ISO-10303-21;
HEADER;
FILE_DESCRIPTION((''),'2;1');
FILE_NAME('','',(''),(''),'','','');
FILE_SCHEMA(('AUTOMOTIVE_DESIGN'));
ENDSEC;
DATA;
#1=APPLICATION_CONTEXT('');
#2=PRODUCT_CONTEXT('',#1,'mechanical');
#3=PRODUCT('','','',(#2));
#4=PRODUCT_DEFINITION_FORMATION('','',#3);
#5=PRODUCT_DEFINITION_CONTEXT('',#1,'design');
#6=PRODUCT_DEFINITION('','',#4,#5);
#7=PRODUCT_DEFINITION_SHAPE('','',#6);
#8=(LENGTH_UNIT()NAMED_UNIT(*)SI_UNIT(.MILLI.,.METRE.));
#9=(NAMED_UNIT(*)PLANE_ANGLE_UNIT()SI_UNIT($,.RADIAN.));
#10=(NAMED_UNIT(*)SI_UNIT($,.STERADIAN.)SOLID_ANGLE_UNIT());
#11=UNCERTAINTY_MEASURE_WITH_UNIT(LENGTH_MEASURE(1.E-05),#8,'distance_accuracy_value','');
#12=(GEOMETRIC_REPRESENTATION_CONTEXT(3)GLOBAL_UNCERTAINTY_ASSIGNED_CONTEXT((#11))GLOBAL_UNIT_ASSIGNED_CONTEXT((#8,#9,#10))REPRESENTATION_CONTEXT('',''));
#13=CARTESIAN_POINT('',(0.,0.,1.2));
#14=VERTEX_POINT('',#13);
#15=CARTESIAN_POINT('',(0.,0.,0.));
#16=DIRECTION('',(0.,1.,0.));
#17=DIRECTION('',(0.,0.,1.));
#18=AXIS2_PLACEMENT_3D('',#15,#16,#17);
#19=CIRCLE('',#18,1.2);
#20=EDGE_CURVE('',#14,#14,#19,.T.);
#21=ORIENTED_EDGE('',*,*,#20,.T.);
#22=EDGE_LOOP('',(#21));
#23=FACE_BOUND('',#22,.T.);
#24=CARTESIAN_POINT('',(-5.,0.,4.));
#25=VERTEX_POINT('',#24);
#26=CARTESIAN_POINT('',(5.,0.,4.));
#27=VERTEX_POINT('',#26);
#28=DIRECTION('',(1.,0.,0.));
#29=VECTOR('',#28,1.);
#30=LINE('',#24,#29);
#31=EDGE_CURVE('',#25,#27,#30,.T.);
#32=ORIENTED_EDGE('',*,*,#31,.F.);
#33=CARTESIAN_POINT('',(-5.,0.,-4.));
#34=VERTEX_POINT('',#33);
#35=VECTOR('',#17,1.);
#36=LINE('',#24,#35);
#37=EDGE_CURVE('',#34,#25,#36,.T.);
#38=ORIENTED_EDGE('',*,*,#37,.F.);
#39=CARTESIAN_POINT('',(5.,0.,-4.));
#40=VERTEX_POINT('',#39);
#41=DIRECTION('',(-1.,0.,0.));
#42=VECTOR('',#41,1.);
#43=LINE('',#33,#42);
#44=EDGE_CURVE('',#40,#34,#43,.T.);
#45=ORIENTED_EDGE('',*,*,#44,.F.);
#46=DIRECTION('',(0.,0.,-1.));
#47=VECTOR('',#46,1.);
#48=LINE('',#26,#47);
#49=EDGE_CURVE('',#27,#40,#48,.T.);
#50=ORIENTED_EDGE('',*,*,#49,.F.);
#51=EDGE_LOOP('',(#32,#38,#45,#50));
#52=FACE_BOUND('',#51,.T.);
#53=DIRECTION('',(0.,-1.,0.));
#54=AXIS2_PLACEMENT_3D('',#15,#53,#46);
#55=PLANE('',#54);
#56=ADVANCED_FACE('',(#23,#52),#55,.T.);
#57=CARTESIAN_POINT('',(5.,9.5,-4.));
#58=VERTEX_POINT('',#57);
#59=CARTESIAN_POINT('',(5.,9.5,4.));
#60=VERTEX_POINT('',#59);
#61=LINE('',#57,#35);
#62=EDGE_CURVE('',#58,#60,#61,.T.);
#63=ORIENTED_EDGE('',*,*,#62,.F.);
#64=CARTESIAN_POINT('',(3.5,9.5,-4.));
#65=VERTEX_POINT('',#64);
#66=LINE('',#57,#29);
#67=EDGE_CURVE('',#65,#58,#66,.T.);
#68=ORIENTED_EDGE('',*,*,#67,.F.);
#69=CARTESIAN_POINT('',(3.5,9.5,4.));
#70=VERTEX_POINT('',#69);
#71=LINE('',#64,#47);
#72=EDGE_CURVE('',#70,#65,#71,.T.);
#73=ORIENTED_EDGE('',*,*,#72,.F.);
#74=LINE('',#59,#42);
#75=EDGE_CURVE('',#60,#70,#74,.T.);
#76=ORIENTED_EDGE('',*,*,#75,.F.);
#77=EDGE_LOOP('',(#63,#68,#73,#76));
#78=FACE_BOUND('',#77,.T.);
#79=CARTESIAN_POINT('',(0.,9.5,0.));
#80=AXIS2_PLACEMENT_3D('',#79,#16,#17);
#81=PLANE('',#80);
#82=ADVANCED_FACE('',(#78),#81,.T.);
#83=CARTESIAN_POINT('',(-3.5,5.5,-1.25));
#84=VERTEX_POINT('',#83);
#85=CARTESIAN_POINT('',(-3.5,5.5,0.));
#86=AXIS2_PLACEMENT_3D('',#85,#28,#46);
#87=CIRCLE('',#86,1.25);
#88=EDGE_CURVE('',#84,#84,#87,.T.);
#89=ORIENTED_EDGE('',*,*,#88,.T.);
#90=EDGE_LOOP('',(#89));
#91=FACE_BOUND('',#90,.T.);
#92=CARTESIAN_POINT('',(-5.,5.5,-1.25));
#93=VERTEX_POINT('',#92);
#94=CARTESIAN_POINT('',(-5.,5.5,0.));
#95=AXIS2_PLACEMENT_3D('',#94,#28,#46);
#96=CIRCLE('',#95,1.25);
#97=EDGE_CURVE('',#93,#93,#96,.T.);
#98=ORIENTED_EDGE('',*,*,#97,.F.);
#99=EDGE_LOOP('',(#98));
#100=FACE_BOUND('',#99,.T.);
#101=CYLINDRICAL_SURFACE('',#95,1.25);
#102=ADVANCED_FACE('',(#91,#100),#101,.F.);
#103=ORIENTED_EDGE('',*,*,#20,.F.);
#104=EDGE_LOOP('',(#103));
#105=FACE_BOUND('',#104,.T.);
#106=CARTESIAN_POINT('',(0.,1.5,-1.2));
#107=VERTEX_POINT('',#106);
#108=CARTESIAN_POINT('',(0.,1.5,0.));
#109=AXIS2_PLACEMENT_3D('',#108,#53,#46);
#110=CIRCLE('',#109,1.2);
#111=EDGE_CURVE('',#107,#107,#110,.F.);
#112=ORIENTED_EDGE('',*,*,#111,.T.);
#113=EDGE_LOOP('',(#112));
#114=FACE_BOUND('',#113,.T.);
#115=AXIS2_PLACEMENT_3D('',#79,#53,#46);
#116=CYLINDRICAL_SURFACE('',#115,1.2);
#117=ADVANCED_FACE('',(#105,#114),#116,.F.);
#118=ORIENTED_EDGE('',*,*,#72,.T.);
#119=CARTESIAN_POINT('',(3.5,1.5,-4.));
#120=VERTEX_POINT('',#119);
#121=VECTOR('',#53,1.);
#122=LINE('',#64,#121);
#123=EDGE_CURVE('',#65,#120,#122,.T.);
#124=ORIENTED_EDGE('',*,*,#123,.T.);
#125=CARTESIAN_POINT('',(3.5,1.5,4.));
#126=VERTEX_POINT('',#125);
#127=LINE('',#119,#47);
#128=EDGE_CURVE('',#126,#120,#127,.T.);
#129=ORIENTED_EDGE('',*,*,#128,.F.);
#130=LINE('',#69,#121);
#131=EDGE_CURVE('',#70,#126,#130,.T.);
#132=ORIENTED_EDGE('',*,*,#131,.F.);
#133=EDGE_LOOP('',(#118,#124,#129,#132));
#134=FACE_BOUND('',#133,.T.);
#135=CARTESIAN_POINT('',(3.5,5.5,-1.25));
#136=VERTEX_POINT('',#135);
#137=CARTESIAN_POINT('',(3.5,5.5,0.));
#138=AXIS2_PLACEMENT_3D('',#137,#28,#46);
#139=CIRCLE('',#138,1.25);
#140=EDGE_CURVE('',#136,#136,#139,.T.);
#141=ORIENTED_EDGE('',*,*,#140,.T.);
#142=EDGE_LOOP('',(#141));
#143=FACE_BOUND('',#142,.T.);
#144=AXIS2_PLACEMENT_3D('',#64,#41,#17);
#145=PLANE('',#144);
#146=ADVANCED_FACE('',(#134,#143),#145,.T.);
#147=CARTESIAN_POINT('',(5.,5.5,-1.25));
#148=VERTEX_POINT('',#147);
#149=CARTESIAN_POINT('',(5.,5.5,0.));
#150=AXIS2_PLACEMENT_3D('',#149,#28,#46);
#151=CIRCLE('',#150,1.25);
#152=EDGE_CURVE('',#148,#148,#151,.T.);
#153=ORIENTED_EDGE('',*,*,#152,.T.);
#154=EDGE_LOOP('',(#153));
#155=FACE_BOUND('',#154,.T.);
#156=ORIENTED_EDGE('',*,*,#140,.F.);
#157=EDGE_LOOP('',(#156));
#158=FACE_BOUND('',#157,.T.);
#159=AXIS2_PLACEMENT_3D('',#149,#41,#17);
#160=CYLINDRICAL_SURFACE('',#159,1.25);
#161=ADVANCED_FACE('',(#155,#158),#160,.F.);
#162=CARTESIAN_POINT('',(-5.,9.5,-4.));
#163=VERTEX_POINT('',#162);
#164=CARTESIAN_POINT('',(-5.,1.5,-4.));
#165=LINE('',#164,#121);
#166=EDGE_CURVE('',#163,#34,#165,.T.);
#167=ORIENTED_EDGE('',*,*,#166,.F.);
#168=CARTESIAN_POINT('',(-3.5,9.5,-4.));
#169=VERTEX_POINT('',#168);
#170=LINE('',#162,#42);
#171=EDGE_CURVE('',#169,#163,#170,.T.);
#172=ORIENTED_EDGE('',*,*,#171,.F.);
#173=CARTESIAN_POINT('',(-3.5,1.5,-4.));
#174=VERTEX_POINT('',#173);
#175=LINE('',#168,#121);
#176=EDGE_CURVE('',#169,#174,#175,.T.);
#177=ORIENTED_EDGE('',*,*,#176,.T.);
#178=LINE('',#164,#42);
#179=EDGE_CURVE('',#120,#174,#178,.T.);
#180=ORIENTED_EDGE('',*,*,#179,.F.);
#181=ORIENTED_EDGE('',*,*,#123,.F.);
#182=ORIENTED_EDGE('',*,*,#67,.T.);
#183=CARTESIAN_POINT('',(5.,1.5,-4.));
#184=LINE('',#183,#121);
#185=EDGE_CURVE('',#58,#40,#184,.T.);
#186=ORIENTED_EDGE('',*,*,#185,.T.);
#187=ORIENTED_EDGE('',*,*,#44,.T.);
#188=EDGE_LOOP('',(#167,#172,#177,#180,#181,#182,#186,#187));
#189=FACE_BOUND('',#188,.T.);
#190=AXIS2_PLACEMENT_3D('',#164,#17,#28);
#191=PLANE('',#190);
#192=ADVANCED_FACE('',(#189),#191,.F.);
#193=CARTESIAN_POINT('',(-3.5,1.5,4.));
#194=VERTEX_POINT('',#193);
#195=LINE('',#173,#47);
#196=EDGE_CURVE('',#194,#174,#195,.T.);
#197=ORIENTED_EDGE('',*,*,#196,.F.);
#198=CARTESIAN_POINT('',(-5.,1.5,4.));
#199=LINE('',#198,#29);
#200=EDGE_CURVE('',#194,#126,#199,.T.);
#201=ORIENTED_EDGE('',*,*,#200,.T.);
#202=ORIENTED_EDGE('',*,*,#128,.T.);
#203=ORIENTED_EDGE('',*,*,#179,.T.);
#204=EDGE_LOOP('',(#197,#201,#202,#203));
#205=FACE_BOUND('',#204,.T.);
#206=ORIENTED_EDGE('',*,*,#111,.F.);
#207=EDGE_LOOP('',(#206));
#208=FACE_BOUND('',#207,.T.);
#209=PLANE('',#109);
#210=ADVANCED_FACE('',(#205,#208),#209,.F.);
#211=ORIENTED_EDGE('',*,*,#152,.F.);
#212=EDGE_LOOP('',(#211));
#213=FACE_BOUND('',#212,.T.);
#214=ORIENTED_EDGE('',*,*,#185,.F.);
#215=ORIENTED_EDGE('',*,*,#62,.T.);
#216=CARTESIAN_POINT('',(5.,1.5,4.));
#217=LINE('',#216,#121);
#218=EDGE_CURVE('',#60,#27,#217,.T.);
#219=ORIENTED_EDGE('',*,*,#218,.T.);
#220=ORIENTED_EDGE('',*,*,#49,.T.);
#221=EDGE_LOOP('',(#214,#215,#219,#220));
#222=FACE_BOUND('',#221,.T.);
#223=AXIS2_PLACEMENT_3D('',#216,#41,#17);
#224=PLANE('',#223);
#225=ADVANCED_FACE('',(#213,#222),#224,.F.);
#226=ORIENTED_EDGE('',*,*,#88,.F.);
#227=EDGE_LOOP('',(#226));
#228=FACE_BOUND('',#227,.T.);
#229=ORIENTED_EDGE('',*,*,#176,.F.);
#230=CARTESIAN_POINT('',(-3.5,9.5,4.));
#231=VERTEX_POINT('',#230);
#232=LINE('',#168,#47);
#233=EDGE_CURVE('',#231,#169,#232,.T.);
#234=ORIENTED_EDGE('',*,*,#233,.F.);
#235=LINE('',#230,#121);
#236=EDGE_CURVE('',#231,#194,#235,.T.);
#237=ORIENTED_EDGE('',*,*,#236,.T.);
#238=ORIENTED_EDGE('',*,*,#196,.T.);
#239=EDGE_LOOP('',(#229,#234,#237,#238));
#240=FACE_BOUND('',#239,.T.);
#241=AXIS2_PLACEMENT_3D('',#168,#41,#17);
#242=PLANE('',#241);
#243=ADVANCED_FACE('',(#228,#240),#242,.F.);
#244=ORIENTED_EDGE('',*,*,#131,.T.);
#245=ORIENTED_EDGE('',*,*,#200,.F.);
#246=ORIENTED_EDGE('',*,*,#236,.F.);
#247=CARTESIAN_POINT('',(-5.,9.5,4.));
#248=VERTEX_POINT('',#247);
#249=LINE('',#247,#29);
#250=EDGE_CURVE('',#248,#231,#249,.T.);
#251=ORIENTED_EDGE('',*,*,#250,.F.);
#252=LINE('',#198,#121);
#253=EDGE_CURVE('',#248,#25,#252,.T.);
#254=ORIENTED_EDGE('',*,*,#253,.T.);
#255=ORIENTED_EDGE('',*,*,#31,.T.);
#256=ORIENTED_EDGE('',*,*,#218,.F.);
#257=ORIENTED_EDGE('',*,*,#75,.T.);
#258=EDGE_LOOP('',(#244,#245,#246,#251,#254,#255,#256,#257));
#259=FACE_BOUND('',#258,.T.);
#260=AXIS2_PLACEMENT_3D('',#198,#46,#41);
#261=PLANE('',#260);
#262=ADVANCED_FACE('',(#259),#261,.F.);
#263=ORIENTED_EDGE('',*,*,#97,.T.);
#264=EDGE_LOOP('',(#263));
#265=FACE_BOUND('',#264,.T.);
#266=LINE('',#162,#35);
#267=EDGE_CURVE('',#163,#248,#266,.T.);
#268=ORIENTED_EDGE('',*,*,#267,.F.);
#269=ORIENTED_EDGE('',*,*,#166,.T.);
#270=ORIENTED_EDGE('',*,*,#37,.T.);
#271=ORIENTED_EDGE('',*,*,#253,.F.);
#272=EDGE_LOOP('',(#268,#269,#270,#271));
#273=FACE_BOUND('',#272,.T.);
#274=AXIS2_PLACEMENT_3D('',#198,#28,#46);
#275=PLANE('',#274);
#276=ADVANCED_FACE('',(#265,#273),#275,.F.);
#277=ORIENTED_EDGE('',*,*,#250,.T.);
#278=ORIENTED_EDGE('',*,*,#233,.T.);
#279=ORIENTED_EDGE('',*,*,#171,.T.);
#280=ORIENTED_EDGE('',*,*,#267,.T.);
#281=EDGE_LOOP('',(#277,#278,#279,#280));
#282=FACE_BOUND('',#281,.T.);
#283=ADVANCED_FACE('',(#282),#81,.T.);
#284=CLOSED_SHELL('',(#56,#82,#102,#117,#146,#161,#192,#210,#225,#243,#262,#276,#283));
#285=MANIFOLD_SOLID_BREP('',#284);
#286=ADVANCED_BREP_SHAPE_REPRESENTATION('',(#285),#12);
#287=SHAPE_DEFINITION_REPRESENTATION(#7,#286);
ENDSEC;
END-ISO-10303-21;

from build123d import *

# Parameters (mm, degrees)
SKETCH1_W           = 10
SKETCH1_H           = 8
BOSS_EXTRUDE1_DEPTH = 1.5
SKETCH2_W           = 1.5
SKETCH2_H           = 8
BOSS_EXTRUDE2_DEPTH = 8
SKETCH4_R           = 1.25
CUT_EXTRUDE1_DEPTH  = 14.360389216
SKETCH5_R           = 1.2
CUT_EXTRUDE2_DEPTH  = 12.456439237


with BuildPart() as part:
    # Sketch1 → Boss-Extrude1 (new body)
    with BuildSketch(Plane(origin=(0, 0, 0), x_dir=(1, 0, 0), z_dir=(0, 1, 0))):
        Rectangle(SKETCH1_W, SKETCH1_H)
    extrude(amount=BOSS_EXTRUDE1_DEPTH)

    # Sketch2 → Boss-Extrude2 (add)
    with BuildSketch(Plane(origin=(0, 1.5, 0), x_dir=(1, 0, 0), z_dir=(0, 1, 0))):
        with Locations((-4.25, 0)):
            Rectangle(SKETCH2_W, SKETCH2_H)
    boss_extrude2 = extrude(amount=BOSS_EXTRUDE2_DEPTH)

    # Sketch4 → Cut-Extrude1 (cut, through all)
    with BuildSketch(Plane(origin=(-3.5, 0, 0), x_dir=(0, 0, -1), z_dir=(1, 0, 0))):
        with Locations((0, 5.5)):
            Circle(SKETCH4_R)
    cut_extrude1 = extrude(amount=-CUT_EXTRUDE1_DEPTH, mode=Mode.SUBTRACT)

    # Mirror2: Boss-Extrude2, Cut-Extrude1 across plane
    add(boss_extrude2.mirror(Plane(origin=(0, 0, 0), x_dir=(0, 0, 1), z_dir=(1, 0, 0))))
    add(cut_extrude1.mirror(Plane(origin=(0, 0, 0), x_dir=(0, 0, 1), z_dir=(1, 0, 0))), mode=Mode.SUBTRACT)

    # Sketch5 → Cut-Extrude2 (cut, through all)
    with BuildSketch(Plane(origin=(0, 0, 0), x_dir=(1, 0, 0), z_dir=(0, 1, 0))):
        with Locations(Location((0, 0, 0), (0, 0, 90))):
            Circle(SKETCH5_R)
    extrude(amount=CUT_EXTRUDE2_DEPTH, mode=Mode.SUBTRACT)


solid = part.part
